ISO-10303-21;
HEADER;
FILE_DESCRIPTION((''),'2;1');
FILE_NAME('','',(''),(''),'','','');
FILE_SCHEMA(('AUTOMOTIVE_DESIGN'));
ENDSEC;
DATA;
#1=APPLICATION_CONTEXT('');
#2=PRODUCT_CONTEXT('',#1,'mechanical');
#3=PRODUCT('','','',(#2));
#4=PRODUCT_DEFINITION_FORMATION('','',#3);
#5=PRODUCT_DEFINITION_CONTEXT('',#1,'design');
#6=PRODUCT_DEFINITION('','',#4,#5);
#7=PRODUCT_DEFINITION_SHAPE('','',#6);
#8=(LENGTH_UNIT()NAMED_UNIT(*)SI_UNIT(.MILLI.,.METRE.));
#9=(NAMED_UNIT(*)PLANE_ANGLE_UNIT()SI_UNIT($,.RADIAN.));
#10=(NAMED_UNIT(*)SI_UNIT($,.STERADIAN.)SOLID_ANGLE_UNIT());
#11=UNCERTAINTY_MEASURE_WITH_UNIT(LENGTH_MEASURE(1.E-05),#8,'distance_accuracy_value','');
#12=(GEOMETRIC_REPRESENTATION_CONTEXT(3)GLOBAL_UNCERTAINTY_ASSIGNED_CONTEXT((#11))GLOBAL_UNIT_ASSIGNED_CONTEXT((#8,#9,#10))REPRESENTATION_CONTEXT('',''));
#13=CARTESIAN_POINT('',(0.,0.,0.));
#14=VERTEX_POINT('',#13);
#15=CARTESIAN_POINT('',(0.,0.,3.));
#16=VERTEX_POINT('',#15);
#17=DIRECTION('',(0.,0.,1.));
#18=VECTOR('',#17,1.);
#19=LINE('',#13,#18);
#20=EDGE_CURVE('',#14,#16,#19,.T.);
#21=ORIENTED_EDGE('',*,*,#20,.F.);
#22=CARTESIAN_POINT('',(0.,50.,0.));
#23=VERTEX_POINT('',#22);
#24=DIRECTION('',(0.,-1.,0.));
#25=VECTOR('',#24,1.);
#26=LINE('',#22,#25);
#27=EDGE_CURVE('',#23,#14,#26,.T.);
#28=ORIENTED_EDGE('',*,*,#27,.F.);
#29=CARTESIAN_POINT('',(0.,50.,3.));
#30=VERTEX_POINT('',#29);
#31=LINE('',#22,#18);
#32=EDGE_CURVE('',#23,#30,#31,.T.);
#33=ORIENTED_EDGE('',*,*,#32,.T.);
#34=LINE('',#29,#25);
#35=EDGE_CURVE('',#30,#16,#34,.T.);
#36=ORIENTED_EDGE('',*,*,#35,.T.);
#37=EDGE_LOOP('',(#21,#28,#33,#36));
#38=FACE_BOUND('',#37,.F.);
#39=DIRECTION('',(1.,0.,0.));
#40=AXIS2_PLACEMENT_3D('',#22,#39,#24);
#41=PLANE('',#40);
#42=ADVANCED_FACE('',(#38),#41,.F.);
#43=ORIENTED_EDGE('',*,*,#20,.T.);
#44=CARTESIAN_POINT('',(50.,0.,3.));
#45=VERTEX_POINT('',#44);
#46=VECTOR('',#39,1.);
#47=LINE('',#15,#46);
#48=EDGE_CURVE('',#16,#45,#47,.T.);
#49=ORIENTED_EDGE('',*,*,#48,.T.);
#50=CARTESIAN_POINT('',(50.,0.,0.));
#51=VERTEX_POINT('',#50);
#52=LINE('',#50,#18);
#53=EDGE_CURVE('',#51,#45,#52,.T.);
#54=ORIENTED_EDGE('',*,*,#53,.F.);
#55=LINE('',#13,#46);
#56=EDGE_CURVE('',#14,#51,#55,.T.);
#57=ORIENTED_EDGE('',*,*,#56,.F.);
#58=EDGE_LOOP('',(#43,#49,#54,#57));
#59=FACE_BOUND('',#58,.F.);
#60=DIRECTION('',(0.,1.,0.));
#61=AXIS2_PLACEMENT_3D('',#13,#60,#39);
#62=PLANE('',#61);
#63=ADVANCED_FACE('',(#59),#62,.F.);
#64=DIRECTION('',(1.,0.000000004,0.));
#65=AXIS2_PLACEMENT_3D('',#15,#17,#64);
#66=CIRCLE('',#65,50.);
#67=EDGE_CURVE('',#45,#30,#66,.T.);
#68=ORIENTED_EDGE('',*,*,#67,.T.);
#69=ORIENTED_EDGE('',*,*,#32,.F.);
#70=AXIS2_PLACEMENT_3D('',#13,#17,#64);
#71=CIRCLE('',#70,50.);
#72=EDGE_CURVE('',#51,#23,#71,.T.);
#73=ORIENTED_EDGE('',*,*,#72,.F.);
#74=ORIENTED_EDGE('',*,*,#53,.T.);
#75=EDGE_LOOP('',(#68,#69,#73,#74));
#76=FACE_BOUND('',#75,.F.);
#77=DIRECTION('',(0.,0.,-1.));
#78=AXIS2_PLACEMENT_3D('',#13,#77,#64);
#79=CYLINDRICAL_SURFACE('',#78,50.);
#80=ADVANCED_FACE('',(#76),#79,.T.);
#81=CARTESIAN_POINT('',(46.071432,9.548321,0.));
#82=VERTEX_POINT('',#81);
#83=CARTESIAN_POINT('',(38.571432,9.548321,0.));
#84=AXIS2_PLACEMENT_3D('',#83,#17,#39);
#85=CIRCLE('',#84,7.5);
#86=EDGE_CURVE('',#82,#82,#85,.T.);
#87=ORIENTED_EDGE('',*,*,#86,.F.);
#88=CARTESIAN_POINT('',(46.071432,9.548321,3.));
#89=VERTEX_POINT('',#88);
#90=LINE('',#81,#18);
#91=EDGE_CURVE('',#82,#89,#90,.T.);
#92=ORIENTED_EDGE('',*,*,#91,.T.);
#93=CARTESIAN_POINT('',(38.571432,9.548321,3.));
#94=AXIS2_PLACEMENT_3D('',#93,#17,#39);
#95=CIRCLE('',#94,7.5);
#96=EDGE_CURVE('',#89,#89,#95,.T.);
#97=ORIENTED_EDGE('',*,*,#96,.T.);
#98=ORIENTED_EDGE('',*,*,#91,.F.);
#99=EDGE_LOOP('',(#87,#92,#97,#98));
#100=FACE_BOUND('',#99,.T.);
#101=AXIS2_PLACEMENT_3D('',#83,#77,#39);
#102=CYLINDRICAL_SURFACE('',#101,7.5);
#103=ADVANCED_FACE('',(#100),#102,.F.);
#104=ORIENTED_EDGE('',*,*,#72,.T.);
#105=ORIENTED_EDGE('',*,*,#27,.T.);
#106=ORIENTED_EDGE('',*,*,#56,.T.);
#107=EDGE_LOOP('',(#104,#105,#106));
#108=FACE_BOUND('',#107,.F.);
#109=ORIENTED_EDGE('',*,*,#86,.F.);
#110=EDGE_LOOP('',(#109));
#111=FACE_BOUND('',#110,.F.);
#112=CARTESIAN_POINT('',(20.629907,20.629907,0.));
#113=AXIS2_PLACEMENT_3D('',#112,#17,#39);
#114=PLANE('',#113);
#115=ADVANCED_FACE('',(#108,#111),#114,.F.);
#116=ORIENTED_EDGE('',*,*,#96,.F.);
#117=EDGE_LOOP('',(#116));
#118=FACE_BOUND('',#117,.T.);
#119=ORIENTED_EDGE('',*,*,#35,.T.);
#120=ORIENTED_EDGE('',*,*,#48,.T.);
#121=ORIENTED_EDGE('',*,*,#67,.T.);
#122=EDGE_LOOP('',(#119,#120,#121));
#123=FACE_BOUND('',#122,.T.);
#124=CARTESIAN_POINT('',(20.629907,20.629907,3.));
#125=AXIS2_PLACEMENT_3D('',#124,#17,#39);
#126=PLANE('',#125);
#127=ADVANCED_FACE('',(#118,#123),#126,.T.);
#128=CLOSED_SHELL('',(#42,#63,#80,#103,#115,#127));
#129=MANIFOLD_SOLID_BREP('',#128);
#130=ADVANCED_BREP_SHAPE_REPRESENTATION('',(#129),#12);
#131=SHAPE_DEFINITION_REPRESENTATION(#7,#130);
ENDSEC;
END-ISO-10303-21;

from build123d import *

# Parameters (mm, degrees)
F0_R     = 7.5
F1_DEPTH = 3


with BuildPart() as f1:
    # F0 (on Top) → F1 (new body)
    with BuildSketch(Plane.XY):
        with BuildLine():
            Line((0, 50), (0, 0))
            Line((0, 0), (50, 0))
            ThreePointArc((50, 0), (35.355339, 35.355339), (0, 50))
        make_face()
        with Locations((38.571432, 9.548321)):
            Circle(F0_R, mode=Mode.SUBTRACT)
    extrude(amount=F1_DEPTH)


solid = f1.part
